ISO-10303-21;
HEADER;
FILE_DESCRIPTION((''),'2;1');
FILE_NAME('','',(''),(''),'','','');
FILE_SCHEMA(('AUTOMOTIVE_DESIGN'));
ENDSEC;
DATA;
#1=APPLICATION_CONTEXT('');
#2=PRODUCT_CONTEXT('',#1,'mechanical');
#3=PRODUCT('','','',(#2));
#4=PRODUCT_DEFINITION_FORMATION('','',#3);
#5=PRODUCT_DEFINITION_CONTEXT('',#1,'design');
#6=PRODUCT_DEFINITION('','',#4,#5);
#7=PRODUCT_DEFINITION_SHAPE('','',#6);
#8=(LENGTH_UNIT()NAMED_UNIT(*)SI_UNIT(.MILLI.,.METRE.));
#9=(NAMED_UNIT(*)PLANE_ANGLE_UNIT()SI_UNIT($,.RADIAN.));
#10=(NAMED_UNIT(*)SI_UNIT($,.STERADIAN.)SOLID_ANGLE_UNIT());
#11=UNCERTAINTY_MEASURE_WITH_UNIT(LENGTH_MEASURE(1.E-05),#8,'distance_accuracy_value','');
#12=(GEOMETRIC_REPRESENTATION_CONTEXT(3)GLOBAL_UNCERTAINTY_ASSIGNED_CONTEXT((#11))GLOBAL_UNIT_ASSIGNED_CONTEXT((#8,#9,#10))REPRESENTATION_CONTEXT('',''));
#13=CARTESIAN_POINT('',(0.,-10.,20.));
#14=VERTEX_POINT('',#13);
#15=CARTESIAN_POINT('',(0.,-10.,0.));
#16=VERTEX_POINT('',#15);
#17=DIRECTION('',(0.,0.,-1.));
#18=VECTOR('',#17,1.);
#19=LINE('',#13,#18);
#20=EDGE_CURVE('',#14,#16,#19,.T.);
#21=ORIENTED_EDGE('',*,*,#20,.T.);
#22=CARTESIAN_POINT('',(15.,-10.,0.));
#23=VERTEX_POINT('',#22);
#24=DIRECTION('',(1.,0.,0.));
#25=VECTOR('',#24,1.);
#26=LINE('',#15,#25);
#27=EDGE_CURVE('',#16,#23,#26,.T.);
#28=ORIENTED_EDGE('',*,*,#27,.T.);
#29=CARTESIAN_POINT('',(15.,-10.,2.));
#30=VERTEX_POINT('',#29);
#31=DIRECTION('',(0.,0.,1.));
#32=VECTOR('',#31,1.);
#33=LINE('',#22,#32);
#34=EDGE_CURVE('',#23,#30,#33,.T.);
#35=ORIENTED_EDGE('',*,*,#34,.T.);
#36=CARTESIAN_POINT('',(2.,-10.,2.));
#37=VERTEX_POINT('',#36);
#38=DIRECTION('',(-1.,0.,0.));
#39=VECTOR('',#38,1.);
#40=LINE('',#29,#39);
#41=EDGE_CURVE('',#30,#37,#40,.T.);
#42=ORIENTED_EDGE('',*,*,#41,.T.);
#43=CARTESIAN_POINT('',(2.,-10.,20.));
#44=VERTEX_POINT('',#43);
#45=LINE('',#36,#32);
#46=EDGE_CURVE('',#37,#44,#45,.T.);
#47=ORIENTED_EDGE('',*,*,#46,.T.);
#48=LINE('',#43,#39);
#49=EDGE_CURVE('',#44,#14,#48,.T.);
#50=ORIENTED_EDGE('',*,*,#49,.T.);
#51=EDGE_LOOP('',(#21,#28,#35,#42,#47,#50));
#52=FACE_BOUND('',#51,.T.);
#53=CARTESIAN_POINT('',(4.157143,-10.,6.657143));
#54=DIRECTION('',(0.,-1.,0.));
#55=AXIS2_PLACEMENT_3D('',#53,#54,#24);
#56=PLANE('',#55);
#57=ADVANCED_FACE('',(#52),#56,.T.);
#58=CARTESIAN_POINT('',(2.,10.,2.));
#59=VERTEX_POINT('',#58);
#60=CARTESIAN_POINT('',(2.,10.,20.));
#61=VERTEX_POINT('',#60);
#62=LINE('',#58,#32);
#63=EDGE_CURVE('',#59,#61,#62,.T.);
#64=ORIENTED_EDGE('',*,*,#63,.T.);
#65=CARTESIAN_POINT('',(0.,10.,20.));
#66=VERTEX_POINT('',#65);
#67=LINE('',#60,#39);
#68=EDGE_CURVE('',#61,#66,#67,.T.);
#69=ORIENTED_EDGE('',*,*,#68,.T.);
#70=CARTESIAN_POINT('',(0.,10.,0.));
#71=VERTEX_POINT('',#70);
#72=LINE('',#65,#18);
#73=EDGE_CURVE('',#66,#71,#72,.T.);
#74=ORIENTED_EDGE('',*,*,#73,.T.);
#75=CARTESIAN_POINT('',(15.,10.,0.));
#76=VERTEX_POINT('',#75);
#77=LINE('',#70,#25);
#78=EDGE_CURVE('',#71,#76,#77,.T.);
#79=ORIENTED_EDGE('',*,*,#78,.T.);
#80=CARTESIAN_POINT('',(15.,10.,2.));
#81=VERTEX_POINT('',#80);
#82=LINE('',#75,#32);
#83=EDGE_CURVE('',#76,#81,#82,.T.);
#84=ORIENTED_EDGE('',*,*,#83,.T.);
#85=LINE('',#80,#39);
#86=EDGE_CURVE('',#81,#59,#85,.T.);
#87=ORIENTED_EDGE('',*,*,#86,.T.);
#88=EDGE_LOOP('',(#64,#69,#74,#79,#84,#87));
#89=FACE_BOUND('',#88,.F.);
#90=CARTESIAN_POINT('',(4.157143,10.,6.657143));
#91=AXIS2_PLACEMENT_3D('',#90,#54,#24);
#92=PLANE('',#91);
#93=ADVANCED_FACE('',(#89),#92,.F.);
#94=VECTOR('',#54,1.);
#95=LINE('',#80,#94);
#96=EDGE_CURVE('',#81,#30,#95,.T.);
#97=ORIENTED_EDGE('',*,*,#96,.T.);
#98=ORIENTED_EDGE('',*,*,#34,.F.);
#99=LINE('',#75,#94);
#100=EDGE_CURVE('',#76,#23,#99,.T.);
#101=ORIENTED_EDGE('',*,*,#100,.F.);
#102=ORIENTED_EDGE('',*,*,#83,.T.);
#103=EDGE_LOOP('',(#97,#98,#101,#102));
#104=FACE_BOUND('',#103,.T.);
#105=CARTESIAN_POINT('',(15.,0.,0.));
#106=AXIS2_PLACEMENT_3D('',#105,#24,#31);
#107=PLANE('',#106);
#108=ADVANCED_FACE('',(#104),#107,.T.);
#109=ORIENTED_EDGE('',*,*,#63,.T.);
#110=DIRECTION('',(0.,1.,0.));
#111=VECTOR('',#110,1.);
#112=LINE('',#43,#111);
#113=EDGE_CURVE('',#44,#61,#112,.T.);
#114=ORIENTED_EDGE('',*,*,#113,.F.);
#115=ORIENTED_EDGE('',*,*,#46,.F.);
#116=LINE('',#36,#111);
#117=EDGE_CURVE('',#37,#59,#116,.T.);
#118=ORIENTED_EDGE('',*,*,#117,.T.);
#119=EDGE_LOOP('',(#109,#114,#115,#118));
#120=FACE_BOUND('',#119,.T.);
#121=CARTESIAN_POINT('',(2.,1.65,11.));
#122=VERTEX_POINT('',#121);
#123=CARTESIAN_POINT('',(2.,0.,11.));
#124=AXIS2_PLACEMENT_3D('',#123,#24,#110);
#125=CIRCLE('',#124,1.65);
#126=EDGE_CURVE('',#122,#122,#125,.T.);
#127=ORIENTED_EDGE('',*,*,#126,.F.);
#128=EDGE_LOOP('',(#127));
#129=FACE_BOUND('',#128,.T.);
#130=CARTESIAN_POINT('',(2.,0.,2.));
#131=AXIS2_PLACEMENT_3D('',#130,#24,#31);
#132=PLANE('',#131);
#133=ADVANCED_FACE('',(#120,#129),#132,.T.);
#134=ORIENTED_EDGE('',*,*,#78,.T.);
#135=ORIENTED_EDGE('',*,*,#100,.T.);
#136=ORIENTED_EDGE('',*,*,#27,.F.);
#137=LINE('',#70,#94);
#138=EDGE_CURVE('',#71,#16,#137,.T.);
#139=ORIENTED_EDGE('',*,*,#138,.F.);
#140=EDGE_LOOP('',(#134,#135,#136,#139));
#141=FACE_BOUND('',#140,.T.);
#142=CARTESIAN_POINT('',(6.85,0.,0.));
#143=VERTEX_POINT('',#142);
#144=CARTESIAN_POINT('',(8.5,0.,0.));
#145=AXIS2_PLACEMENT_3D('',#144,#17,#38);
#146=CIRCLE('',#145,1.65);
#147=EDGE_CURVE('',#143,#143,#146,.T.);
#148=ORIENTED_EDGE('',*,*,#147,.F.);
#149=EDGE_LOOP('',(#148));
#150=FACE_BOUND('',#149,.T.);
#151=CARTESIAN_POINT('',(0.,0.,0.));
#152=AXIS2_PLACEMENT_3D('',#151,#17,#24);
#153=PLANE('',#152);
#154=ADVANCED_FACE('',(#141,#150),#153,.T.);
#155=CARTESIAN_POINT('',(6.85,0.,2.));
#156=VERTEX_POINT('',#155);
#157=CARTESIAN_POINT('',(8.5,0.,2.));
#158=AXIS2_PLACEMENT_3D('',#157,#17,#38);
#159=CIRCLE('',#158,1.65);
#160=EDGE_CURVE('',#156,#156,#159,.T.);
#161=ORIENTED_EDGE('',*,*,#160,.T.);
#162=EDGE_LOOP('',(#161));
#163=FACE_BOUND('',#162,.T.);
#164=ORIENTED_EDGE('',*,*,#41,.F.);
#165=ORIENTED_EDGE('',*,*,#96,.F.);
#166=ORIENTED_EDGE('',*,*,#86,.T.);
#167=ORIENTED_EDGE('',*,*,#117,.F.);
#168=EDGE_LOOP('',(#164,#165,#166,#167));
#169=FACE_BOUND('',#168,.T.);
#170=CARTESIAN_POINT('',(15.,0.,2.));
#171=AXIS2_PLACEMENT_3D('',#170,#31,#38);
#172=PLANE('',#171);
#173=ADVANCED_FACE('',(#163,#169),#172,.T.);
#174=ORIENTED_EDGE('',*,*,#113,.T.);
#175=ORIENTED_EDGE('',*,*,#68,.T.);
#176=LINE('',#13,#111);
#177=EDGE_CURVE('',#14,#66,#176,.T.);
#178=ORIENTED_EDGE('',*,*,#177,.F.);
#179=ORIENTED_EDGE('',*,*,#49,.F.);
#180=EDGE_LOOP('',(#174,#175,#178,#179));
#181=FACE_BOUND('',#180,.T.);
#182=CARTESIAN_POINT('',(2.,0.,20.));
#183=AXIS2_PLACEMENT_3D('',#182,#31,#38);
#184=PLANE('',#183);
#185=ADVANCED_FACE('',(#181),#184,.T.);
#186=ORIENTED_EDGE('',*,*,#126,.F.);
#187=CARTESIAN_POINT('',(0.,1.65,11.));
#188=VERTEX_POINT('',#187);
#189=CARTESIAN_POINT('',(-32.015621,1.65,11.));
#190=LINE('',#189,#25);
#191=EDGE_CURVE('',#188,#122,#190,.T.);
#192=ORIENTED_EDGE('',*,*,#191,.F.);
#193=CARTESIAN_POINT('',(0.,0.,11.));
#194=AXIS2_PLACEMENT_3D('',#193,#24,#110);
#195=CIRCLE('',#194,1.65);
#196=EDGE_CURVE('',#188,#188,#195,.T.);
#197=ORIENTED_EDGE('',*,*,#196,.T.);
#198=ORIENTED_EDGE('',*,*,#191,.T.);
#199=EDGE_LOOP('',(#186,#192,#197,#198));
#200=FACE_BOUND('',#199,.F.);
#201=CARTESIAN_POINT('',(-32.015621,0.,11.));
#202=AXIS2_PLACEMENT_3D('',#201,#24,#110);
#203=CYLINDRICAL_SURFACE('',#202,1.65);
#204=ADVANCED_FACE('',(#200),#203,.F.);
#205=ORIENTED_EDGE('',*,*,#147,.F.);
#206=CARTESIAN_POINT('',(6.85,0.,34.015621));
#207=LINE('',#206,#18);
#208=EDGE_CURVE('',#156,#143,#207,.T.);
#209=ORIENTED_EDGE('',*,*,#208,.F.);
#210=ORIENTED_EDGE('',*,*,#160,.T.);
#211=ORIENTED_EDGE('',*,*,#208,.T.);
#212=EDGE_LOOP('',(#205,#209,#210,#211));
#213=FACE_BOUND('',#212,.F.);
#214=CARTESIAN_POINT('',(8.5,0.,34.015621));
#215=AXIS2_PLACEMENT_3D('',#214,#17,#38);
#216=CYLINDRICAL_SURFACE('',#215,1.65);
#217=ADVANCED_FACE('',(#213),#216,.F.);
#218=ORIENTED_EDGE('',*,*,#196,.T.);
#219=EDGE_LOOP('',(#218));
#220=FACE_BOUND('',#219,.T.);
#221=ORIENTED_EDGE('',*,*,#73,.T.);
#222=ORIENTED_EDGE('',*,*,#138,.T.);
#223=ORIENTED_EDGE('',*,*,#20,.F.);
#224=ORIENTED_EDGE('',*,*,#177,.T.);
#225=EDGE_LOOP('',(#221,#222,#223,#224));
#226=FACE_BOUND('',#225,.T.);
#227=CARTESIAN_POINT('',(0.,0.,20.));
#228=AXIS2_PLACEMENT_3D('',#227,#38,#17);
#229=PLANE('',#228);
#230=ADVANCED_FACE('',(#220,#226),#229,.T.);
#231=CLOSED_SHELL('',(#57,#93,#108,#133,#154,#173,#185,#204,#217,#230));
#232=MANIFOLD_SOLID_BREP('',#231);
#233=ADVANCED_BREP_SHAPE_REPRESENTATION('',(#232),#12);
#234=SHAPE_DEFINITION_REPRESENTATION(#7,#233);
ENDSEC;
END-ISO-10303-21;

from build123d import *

# Parameters (mm, degrees)
F1_DEPTH   = 10
F4_D       = 3.3
F4_ON_F3_D = 3.3


with BuildPart() as f1:
    # F0 (on Front) → F1 (new body, symmetric)
    with BuildSketch(Plane.XZ):
        Polygon((0, 20), (0, 0), (15, 0), (15, 2), (2, 2), (2, 20), align=None)
    extrude(amount=F1_DEPTH, both=True)

    # F4 (through all)
    with Locations(Plane(origin=(0, 0, 0), x_dir=(0, -1, 0), z_dir=(-1, 0, 0))):
        with Locations((0, 11)):
            Hole(F4_D / 2)

    # F4 on F3 (through all)
    with Locations(Plane.XY.offset(2)):
        with Locations((8.5, 0)):
            Hole(F4_ON_F3_D / 2)


solid = f1.part
